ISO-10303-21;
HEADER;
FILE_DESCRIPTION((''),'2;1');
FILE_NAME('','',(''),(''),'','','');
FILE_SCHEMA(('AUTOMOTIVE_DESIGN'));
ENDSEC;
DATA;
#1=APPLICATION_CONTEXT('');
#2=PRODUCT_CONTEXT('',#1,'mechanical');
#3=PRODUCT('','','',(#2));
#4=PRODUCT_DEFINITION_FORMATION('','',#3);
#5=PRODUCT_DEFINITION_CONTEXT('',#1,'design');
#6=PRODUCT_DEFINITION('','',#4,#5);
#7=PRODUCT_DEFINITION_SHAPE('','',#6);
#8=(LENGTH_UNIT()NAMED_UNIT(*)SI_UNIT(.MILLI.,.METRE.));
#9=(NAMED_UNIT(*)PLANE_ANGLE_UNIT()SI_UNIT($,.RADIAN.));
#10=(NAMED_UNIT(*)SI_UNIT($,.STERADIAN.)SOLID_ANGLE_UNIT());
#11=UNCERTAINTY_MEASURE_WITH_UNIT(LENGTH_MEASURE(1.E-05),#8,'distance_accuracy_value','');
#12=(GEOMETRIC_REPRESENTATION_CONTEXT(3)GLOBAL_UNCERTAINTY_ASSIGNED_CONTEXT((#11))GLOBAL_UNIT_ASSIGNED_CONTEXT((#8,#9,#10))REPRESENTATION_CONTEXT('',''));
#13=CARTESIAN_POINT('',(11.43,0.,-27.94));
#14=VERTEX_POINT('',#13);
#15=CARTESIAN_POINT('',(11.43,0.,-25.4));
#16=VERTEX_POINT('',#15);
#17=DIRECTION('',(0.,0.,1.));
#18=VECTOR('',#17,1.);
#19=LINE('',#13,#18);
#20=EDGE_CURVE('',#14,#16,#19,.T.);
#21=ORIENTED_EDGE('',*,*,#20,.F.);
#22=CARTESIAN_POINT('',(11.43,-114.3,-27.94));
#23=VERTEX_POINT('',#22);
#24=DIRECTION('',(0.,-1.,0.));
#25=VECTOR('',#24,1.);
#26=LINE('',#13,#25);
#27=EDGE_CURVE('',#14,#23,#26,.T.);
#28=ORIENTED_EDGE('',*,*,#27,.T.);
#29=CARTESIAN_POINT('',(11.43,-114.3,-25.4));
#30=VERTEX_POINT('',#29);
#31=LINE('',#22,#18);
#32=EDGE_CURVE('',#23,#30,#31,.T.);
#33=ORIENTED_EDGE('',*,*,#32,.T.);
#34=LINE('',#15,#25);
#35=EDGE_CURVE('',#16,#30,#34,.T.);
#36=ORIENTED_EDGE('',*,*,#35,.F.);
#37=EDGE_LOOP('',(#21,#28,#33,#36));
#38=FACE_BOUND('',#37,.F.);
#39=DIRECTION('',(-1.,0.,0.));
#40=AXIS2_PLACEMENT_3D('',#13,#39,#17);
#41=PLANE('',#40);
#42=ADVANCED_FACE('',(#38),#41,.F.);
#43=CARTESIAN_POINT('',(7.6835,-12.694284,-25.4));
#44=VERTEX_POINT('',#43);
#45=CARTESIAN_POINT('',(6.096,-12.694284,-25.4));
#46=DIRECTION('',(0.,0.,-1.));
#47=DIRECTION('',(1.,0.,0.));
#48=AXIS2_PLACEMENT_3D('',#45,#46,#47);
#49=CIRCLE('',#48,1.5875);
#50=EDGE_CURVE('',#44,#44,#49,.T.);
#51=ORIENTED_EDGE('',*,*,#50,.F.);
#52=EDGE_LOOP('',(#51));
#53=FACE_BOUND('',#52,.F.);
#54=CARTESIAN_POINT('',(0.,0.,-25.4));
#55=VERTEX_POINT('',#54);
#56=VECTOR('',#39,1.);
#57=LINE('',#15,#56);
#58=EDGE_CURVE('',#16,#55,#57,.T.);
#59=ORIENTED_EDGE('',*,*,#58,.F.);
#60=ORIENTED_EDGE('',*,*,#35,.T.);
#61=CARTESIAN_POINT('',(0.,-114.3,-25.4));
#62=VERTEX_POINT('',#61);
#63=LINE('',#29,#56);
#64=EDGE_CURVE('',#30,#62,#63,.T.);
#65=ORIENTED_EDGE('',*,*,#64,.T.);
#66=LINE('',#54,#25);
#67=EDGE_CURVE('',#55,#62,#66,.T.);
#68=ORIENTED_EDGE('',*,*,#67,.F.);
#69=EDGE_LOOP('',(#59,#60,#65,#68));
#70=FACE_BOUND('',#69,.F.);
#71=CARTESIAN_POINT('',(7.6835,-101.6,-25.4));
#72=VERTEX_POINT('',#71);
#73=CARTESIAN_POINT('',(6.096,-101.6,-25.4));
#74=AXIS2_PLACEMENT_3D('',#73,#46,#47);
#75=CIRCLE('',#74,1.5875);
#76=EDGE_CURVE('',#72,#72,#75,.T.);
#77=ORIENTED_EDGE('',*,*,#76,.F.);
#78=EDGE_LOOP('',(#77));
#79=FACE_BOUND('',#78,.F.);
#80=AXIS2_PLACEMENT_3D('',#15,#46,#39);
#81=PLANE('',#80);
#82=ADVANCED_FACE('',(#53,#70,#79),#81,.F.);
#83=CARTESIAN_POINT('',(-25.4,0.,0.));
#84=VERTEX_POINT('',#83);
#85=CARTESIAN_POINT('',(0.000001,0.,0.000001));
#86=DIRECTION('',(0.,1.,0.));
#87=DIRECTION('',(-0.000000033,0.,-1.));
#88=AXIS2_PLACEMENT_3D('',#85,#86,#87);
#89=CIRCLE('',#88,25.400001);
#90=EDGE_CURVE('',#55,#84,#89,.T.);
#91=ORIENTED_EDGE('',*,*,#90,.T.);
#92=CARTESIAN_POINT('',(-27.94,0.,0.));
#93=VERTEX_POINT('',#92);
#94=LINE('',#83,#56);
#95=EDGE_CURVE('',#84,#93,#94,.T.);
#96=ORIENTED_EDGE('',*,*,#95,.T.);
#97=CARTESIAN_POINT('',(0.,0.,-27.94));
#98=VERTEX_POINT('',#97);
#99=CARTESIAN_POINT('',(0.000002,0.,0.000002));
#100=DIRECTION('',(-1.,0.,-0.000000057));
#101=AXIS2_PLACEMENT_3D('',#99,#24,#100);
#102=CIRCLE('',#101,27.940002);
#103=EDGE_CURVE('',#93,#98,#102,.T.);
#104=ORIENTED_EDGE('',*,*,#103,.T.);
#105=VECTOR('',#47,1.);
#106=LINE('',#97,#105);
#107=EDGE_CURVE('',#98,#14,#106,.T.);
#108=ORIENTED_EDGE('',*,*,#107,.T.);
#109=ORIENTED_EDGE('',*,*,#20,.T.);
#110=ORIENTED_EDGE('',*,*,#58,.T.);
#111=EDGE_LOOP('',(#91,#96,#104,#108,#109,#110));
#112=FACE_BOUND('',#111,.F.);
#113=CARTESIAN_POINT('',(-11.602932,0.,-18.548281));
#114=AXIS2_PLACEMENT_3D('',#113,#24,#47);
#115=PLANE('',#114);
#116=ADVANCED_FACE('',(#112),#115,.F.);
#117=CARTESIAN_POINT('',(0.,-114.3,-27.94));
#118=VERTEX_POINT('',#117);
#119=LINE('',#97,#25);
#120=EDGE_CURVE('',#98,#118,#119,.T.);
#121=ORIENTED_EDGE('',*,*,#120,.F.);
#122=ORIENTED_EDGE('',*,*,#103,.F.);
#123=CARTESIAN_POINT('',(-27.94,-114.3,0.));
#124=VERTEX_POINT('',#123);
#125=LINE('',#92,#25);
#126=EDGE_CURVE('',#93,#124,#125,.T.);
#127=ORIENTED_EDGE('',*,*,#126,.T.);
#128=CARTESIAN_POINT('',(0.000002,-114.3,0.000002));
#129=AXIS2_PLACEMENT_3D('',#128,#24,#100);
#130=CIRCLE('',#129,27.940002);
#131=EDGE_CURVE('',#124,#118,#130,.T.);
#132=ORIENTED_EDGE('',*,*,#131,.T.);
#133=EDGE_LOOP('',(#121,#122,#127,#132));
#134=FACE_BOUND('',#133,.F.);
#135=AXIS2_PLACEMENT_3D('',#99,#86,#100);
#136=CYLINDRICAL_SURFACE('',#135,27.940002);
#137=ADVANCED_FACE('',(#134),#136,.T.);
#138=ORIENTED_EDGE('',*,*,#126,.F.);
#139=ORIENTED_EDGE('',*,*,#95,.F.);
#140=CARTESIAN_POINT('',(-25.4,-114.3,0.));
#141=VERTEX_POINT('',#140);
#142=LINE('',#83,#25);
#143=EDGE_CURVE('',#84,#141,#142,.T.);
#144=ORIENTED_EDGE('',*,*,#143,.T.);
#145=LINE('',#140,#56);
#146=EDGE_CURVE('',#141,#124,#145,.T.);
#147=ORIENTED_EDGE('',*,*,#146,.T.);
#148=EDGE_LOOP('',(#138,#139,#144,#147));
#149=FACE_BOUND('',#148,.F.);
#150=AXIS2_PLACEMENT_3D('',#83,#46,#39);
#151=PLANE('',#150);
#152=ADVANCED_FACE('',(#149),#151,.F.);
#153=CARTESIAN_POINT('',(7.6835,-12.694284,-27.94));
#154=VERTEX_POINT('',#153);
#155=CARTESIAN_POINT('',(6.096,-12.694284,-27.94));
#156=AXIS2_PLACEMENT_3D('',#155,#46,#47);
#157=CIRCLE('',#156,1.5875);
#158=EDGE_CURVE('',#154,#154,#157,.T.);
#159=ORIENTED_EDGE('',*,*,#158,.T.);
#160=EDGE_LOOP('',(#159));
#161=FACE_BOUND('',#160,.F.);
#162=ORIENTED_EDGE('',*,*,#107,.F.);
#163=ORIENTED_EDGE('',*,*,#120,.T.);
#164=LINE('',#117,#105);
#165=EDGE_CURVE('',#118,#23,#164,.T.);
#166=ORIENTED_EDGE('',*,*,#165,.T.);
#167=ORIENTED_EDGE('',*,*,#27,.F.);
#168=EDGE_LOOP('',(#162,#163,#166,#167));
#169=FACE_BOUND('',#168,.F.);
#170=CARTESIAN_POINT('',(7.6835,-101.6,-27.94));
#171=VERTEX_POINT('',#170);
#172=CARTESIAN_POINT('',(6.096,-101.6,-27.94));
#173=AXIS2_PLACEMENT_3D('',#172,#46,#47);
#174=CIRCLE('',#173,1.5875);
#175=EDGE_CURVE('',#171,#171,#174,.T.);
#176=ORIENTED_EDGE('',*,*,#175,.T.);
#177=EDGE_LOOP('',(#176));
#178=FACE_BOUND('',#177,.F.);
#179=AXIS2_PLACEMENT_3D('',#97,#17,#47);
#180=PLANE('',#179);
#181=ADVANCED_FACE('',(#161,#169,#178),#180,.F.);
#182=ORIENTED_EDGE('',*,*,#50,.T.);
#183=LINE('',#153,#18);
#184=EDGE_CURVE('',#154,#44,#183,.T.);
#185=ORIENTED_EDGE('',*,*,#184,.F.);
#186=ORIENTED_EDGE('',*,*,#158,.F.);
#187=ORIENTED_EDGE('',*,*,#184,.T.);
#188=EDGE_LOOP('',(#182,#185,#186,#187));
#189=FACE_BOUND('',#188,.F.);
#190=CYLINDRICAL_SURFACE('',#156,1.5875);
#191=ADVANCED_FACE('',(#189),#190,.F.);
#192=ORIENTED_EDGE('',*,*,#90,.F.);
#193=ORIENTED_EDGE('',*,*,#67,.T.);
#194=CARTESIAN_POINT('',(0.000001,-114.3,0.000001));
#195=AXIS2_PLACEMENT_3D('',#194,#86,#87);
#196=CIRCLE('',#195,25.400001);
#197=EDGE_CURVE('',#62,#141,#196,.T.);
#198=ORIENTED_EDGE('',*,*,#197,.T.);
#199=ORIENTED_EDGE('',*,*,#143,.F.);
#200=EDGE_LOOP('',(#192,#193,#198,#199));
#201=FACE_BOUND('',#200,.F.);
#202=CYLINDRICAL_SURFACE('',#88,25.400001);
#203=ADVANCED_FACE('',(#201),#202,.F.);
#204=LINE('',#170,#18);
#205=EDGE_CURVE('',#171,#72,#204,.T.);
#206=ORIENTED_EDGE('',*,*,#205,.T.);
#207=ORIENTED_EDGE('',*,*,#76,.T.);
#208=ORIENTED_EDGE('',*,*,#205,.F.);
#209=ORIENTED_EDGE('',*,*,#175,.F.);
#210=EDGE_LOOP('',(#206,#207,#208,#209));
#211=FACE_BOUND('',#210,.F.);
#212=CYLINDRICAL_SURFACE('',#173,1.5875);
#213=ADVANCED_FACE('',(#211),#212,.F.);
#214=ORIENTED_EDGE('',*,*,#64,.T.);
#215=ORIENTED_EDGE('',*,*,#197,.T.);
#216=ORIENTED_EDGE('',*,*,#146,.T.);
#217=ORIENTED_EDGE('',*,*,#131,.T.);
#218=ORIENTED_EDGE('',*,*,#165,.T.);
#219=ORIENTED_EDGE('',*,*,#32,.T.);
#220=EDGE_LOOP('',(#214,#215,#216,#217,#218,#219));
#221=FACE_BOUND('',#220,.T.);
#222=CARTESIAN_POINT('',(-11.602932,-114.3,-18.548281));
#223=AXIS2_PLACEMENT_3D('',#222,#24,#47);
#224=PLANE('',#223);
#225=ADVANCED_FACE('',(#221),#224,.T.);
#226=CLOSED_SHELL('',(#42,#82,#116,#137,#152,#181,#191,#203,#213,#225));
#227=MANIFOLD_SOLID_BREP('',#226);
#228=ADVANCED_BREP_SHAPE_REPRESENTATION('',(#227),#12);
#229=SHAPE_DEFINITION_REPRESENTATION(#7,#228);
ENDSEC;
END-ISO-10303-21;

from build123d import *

# Parameters (mm, degrees)
F1_DEPTH = 114.3
F2_R     = 1.5875
F3_DEPTH = 27.941


with BuildPart() as f1:
    # F0 (on Front) → F1 (new body)
    with BuildSketch(Plane.XZ):
        with BuildLine():
            ThreePointArc((0, -25.4), (-17.960512, -17.960512), (-25.4, 0))
            Line((-25.4, 0), (-27.94, 0))
            ThreePointArc((-27.94, 0), (-19.756563, -19.756563), (0, -27.94))
            Line((0, -27.94), (11.43, -27.94))
            Line((11.43, -27.94), (11.43, -25.4))
            Line((11.43, -25.4), (0, -25.4))
        make_face()
    extrude(amount=F1_DEPTH)

    # F2 (on face) → F3 (cut, through all)
    with BuildSketch(Plane(origin=(0, 0, -27.94), x_dir=(1, 0, 0), z_dir=(0, 0, -1))):
        with Locations((6.096, 12.694284)):
            Circle(F2_R)
        with Locations((6.096, 101.6)):
            Circle(F2_R)
    extrude(amount=-F3_DEPTH, mode=Mode.SUBTRACT)


solid = f1.part
